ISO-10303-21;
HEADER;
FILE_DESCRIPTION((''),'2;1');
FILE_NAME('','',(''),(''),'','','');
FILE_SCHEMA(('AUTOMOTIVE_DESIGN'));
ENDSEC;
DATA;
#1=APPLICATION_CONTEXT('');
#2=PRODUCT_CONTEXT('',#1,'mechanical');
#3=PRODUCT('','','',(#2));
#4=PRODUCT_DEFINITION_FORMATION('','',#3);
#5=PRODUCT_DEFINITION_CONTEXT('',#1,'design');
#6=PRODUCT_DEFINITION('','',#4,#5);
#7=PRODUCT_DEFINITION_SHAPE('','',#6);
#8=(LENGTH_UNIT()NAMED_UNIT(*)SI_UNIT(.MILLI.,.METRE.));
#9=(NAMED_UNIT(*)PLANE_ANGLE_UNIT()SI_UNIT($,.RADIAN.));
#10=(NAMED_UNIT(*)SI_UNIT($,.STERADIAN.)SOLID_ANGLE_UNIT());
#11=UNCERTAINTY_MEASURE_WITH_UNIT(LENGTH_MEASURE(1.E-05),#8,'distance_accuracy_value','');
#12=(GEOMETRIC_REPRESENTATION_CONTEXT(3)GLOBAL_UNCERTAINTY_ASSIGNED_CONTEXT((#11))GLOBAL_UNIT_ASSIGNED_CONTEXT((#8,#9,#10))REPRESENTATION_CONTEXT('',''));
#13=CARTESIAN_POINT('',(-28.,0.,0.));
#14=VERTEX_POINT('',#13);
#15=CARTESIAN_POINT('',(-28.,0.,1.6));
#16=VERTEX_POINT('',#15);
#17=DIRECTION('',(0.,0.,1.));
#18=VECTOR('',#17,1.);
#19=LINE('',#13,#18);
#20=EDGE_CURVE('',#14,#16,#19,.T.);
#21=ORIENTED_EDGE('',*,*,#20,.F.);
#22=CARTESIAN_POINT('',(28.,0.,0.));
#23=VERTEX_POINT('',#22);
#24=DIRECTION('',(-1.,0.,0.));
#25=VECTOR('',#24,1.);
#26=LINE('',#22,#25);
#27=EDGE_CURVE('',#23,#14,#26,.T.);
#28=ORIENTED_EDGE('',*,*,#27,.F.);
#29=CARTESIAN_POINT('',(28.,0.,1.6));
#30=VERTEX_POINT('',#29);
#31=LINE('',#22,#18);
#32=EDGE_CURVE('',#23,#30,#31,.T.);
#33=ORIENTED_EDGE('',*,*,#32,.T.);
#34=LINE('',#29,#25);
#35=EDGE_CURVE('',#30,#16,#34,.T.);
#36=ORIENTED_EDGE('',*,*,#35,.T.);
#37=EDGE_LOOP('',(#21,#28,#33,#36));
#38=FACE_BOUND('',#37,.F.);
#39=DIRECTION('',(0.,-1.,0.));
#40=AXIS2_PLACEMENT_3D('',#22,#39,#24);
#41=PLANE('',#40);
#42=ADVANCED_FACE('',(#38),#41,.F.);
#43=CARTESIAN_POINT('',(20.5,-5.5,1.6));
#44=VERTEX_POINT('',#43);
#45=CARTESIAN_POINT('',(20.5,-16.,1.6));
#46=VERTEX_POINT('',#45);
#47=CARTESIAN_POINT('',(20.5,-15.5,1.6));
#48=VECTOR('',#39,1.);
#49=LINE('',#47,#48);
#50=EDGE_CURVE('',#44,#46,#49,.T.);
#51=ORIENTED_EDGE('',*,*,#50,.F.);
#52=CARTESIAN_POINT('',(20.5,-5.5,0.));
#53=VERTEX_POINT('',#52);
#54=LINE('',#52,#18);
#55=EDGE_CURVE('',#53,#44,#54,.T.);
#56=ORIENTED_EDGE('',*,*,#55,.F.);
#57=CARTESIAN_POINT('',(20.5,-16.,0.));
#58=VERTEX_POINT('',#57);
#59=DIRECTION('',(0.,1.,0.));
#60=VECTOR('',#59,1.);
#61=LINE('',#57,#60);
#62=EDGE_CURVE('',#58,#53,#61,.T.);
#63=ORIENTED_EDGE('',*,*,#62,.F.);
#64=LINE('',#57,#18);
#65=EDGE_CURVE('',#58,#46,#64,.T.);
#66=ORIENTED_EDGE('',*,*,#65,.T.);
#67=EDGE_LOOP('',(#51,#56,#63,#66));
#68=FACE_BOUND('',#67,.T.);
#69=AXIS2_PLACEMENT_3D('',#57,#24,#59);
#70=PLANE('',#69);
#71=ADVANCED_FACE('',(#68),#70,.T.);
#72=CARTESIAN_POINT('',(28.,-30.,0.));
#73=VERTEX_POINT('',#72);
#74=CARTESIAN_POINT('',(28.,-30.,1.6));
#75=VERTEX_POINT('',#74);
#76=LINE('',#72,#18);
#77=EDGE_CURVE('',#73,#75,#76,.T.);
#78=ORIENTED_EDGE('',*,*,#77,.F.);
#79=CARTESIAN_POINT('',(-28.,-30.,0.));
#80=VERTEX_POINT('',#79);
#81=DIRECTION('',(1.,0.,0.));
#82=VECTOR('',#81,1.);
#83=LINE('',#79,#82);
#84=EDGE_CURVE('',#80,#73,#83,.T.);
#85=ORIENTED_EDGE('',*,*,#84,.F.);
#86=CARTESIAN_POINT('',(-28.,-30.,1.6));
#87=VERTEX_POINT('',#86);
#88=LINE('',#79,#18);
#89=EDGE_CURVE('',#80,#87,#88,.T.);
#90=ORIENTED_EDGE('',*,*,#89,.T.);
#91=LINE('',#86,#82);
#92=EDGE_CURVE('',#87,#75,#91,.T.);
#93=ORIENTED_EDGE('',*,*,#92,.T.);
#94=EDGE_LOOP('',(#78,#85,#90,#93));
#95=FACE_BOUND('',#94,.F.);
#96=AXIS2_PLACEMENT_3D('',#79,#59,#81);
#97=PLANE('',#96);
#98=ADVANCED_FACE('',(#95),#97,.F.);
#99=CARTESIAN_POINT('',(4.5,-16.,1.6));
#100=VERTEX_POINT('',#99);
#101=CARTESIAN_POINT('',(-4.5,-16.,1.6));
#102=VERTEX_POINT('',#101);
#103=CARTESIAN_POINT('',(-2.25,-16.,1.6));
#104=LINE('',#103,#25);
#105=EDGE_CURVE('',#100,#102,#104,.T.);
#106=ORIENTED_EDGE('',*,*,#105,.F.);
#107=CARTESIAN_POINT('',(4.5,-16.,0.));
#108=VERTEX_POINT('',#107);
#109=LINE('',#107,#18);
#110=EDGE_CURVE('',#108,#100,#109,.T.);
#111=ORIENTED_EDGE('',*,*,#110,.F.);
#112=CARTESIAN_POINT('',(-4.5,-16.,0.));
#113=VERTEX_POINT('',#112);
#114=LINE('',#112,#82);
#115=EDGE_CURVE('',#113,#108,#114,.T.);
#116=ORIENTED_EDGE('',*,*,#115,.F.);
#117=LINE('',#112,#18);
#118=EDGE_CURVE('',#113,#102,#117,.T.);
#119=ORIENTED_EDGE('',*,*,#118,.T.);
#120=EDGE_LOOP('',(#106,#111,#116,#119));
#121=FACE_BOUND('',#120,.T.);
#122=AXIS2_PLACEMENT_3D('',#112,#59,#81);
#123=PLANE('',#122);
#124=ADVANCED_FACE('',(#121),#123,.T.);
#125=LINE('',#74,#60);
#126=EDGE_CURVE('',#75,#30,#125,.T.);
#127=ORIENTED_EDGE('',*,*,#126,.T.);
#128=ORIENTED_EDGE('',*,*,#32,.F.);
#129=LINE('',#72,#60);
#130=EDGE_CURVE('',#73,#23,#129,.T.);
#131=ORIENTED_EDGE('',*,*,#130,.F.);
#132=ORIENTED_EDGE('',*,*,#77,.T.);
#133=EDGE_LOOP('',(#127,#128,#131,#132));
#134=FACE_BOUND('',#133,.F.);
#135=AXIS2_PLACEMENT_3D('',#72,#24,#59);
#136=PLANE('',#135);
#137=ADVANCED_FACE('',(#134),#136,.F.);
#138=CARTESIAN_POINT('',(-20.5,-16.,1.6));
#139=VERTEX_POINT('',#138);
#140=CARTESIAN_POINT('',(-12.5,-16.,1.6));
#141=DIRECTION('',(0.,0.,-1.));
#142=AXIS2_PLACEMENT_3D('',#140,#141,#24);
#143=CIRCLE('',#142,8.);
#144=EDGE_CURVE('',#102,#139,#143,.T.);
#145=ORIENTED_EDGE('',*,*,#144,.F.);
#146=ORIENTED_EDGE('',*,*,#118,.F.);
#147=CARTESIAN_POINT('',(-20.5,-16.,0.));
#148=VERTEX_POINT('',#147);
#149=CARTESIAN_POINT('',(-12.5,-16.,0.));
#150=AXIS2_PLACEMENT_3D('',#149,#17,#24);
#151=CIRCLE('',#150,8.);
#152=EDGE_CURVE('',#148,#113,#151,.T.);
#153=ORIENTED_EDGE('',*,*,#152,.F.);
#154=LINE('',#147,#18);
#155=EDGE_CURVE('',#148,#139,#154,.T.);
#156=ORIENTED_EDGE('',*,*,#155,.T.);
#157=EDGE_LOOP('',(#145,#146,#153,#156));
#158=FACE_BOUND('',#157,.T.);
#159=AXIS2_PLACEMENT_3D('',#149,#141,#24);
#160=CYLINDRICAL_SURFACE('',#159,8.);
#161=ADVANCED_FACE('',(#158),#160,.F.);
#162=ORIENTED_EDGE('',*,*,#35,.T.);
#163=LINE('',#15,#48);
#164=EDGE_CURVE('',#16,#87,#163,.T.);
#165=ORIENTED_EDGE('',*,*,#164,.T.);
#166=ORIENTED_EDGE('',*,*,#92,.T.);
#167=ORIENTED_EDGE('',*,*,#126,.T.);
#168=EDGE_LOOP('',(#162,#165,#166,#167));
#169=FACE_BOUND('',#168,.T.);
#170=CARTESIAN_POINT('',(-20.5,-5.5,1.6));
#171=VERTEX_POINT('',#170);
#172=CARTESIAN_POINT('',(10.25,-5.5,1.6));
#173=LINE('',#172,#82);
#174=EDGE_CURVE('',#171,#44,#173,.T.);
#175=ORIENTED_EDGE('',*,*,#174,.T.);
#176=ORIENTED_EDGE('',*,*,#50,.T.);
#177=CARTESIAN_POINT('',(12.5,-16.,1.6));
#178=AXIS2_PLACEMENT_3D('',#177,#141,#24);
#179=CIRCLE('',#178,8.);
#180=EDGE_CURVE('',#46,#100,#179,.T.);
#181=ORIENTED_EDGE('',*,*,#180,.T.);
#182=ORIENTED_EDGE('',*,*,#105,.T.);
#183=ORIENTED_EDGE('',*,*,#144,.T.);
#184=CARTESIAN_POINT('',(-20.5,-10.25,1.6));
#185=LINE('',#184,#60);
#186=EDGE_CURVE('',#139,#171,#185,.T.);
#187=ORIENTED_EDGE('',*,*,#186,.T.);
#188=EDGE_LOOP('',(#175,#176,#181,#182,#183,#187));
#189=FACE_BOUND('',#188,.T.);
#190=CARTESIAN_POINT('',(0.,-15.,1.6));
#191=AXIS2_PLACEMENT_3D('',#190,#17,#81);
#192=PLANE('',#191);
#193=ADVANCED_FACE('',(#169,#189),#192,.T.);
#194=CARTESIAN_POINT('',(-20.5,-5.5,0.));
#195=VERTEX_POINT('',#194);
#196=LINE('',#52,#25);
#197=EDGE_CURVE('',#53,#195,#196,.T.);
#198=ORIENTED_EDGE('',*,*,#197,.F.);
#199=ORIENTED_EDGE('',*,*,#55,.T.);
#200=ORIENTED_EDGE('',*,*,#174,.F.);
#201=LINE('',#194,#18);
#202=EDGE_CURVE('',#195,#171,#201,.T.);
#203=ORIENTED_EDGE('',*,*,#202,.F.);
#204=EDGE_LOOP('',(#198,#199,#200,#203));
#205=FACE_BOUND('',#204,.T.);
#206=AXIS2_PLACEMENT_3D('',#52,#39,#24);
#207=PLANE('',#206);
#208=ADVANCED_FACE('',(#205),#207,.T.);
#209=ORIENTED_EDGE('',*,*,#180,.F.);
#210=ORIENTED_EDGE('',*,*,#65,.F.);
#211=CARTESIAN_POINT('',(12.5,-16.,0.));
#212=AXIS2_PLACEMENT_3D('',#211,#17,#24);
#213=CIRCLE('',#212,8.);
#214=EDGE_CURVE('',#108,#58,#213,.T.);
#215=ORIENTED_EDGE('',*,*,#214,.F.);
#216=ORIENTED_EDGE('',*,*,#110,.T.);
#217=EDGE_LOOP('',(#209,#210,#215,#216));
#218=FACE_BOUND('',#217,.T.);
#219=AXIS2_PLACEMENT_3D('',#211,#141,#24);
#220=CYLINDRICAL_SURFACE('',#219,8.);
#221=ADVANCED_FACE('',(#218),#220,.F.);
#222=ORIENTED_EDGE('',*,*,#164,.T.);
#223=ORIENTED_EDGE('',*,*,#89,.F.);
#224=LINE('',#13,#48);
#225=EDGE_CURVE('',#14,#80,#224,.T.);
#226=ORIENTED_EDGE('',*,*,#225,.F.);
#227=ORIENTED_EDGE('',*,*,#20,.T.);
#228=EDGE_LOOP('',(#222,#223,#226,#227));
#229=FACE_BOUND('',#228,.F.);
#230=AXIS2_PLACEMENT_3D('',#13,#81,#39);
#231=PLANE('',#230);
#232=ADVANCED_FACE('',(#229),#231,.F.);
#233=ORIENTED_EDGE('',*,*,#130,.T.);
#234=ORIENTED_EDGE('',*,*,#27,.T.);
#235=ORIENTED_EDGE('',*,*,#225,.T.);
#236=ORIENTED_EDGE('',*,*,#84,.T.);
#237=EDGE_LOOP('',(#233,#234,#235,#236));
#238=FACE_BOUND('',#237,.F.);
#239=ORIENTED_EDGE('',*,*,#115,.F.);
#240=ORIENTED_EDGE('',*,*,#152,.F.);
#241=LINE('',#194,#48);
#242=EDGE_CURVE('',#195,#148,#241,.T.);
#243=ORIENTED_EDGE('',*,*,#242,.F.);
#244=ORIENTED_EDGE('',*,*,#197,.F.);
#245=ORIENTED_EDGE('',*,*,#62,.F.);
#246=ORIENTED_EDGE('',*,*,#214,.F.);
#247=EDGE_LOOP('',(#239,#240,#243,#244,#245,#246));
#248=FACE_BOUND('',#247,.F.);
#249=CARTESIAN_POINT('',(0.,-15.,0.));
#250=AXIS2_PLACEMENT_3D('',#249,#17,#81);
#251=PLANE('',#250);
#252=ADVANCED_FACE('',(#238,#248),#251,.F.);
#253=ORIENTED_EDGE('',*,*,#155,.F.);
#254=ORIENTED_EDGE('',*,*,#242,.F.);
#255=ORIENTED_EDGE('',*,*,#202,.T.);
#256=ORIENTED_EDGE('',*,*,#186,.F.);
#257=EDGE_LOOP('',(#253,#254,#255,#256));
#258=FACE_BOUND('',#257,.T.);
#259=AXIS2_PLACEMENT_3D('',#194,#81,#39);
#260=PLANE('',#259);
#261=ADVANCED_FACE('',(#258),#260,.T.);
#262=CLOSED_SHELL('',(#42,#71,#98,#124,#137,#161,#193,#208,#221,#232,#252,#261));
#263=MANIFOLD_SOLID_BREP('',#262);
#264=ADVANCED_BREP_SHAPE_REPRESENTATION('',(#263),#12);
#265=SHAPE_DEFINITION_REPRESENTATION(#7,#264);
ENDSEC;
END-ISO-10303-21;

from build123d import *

# Parameters (mm, degrees)
F1_DEPTH = 1.7
F3_DEPTH = 1.6


with BuildPart() as f1:
    # F0 (on Top) → F1 (new body)
    with BuildSketch(Plane.XY):
        with BuildLine():
            Line((-4.5, -16), (4.5, -16))
            ThreePointArc((4.5, -16), (12.5, -24), (20.5, -16))
            Line((20.5, -16), (20.5, -5.5))
            Line((20.5, -5.5), (-20.5, -5.5))
            Line((-20.5, -5.5), (-20.5, -16))
            ThreePointArc((-20.5, -16), (-12.5, -24), (-4.5, -16))
        make_face()
    extrude(amount=F1_DEPTH)


with BuildPart() as f3:
    # F2 (on Top) → F3 (new body)
    with BuildSketch(Plane.XY):
        Polygon((28, 0), (0, 0), (-28, 0), (-28, -30), (28, -30), align=None)
    extrude(amount=F3_DEPTH)

    # F4: cut F1
    add(f1.part, mode=Mode.SUBTRACT)


solid = f3.part
